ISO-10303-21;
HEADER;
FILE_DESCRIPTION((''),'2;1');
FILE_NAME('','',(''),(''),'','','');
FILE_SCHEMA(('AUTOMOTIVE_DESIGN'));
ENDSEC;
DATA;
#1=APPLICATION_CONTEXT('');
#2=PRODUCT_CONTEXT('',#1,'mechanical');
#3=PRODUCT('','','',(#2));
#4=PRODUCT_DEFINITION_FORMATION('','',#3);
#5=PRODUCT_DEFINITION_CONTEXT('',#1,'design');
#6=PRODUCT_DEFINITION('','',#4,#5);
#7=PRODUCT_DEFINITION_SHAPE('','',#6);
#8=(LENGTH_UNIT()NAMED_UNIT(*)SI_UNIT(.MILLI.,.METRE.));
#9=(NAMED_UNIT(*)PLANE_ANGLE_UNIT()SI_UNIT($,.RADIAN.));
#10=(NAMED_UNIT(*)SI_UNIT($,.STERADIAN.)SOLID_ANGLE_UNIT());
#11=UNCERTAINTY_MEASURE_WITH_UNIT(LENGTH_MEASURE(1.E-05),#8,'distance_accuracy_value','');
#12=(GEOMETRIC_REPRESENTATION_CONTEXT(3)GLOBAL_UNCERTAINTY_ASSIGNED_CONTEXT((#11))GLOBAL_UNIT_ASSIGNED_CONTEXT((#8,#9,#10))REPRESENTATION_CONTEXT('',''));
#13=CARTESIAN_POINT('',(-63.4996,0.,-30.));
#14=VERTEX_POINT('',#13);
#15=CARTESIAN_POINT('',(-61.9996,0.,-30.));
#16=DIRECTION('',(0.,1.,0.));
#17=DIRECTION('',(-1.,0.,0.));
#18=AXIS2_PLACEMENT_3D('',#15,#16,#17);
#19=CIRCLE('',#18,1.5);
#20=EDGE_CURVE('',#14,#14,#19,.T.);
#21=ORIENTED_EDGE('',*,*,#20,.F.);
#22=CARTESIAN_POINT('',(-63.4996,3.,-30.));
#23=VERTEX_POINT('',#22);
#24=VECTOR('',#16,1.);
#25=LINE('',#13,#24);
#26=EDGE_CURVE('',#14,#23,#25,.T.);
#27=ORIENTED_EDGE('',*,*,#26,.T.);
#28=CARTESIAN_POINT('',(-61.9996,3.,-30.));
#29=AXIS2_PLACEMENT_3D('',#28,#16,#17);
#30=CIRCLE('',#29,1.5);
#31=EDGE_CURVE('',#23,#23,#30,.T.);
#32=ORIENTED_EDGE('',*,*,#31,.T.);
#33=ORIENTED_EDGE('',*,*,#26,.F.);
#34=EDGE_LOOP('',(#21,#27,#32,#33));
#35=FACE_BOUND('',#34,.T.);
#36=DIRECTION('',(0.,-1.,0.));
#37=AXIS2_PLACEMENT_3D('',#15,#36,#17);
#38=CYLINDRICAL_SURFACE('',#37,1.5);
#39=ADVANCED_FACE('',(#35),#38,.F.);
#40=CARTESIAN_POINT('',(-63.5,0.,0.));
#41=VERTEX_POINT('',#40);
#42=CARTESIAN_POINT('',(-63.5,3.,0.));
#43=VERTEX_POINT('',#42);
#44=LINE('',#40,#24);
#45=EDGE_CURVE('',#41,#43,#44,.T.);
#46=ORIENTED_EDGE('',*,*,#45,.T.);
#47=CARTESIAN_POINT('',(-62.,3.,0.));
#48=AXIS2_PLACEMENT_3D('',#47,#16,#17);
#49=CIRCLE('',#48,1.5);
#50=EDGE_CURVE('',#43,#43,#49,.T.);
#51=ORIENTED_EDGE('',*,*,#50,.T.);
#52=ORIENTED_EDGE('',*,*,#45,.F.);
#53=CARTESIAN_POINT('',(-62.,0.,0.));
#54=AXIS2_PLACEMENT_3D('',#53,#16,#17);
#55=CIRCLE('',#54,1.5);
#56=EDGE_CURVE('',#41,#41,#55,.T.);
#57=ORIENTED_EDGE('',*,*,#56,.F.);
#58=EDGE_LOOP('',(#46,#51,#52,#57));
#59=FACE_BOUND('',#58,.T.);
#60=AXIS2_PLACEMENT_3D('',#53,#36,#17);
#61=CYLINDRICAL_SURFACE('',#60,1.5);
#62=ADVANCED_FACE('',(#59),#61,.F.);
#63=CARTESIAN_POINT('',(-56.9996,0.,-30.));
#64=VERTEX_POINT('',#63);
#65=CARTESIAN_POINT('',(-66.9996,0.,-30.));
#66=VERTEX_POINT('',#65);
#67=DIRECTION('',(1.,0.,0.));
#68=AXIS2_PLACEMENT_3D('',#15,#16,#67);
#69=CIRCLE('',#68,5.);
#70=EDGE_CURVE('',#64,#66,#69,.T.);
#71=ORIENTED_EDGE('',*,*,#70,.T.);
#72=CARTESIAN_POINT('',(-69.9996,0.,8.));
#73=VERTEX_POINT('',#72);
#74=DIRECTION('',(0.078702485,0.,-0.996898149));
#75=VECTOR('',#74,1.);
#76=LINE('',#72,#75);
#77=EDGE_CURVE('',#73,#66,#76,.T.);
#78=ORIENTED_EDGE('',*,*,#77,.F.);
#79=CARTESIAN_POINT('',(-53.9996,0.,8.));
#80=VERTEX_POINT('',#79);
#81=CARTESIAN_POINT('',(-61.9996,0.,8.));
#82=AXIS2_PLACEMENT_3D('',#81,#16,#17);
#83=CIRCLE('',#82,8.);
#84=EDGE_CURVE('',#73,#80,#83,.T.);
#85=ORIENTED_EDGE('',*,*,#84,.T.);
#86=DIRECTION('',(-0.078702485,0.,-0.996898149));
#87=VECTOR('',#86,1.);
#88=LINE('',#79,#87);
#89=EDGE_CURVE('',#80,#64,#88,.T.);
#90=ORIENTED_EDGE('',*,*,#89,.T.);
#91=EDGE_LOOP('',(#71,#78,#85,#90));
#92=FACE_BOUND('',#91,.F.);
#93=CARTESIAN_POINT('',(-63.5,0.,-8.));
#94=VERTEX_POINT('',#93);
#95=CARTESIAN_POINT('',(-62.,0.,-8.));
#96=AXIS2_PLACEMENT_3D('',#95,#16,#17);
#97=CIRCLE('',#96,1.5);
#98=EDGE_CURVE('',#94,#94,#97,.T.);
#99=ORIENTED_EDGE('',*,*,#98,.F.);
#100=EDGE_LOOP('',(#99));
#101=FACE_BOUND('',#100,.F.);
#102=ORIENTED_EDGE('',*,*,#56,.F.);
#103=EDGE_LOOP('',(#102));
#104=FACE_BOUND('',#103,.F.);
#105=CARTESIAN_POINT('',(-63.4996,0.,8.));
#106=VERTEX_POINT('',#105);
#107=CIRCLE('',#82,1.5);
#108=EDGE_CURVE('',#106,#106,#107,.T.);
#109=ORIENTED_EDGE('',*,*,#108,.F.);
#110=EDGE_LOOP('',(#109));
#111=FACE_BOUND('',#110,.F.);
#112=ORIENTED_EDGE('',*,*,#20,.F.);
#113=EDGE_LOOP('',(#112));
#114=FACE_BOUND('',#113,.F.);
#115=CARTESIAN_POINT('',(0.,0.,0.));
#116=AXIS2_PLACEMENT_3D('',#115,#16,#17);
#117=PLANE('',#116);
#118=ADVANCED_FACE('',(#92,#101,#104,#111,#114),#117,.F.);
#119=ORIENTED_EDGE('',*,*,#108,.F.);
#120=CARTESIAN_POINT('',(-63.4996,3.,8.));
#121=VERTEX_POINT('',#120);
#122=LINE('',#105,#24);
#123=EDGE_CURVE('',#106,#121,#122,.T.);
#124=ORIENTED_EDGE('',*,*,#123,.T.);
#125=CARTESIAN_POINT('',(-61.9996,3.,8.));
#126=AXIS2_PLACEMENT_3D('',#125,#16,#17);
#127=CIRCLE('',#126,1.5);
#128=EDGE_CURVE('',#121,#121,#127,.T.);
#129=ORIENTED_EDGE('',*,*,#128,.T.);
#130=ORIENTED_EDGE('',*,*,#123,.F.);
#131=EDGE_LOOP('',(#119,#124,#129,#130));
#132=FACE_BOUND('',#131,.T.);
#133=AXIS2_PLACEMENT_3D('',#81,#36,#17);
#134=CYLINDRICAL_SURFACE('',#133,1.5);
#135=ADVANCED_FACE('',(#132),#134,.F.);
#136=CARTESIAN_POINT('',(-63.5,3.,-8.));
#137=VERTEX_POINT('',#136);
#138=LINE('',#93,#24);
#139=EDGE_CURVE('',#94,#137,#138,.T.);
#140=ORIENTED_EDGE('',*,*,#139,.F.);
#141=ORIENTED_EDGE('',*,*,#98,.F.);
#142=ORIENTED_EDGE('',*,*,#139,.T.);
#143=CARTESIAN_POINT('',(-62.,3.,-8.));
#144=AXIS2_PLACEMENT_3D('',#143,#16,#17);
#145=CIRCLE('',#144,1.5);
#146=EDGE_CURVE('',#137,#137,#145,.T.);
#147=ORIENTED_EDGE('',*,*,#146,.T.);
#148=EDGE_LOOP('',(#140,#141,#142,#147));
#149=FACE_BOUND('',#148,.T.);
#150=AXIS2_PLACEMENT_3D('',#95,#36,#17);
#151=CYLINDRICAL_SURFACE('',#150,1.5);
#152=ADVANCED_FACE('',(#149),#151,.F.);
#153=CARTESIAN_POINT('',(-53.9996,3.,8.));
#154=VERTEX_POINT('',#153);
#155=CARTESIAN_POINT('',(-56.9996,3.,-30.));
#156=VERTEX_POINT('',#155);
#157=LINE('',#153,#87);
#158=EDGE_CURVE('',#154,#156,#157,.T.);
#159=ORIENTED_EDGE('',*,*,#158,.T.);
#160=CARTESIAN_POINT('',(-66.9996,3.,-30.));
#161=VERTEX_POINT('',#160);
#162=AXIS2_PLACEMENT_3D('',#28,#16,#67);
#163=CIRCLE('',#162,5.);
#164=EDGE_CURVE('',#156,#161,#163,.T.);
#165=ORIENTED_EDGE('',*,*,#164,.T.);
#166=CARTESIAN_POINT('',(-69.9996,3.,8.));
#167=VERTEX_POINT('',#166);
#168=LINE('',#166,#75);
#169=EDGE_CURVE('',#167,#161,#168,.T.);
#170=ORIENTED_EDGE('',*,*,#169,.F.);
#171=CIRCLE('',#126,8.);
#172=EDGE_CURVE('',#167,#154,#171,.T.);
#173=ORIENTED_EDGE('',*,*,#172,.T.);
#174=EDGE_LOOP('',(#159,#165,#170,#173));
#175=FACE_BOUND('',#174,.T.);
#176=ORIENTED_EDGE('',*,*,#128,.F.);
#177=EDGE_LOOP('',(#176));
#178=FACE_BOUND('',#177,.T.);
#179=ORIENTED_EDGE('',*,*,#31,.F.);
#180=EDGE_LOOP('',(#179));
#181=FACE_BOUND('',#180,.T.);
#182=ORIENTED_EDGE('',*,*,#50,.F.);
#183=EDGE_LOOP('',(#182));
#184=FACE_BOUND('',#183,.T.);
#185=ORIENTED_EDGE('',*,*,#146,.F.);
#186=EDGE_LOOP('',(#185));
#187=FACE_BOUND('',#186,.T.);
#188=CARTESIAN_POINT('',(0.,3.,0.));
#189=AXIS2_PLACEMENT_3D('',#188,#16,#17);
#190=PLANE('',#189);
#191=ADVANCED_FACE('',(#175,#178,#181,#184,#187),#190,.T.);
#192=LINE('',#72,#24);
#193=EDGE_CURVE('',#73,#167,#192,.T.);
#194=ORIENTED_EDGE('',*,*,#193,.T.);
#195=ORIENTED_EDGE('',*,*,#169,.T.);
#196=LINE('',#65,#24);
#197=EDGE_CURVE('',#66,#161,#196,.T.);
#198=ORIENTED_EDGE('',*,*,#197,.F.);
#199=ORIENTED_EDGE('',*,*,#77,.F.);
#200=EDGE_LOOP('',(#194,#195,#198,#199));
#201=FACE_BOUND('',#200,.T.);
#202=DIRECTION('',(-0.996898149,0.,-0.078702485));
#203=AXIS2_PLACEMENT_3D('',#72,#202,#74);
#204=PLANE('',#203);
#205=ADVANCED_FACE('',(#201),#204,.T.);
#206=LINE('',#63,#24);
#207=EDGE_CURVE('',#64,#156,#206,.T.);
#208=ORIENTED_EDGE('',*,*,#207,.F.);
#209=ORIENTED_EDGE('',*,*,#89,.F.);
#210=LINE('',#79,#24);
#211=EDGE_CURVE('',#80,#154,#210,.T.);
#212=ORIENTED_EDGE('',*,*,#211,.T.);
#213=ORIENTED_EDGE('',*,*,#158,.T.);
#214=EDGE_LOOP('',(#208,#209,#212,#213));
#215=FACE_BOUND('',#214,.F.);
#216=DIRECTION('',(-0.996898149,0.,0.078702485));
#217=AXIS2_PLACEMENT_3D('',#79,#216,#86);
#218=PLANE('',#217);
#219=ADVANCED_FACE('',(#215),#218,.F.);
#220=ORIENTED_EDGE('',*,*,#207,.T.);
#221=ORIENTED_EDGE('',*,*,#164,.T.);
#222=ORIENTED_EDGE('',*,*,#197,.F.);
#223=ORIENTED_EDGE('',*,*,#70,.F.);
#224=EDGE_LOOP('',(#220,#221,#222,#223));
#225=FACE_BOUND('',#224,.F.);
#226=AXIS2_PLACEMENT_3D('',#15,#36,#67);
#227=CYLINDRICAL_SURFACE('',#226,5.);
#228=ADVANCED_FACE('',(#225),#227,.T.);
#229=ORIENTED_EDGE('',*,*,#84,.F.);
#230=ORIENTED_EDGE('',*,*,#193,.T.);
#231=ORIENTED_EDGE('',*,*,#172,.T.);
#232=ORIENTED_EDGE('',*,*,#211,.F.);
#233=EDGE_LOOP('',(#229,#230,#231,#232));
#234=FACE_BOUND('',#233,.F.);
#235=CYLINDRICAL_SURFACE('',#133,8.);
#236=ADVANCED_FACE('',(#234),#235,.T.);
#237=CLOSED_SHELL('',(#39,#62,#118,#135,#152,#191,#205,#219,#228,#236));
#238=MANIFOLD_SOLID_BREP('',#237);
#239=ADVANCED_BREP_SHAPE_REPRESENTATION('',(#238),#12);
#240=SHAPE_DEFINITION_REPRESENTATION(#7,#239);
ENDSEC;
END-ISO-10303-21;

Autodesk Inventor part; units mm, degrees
ref_plane "YZ Plane" through (0, 0, 0) normal (1, 0, 0) x (0, 1, 0)
ref_plane "XZ Plane" through (0, 0, 0) normal (0, 1, 0) x (-1, 0, 0)
ref_plane "XY Plane" through (0, 0, 0) normal (0, 0, 1) x (1, 0, 0)
sketch "Boceto1" plane through (0, 0, 0) normal (0, 1, 0) x (-1, 0, 0)
  arc A0 (56.9996, -30) -> (66.9996, -30) centre (61.9996, -30) ccw
  circle A1 centre (62, 0) radius 1.5
  circle A2 centre (61.9996, 8) radius 1.5
  circle A3 centre (62, -8) radius 1.5
  line L0 (69.9996, 8) -> (66.9996, -30)
  line L1 (53.9996, 8) -> (56.9996, -30)
  arc A4 (69.9996, 8) -> (53.9996, 8) centre (61.9996, 8) ccw
  circle A5 centre (61.9996, -30) radius 1.5
  dimension "d126" = 3
extrude "Extrusión1" add sketch "Boceto1" along normal blind 3
properties part number "manivela"
